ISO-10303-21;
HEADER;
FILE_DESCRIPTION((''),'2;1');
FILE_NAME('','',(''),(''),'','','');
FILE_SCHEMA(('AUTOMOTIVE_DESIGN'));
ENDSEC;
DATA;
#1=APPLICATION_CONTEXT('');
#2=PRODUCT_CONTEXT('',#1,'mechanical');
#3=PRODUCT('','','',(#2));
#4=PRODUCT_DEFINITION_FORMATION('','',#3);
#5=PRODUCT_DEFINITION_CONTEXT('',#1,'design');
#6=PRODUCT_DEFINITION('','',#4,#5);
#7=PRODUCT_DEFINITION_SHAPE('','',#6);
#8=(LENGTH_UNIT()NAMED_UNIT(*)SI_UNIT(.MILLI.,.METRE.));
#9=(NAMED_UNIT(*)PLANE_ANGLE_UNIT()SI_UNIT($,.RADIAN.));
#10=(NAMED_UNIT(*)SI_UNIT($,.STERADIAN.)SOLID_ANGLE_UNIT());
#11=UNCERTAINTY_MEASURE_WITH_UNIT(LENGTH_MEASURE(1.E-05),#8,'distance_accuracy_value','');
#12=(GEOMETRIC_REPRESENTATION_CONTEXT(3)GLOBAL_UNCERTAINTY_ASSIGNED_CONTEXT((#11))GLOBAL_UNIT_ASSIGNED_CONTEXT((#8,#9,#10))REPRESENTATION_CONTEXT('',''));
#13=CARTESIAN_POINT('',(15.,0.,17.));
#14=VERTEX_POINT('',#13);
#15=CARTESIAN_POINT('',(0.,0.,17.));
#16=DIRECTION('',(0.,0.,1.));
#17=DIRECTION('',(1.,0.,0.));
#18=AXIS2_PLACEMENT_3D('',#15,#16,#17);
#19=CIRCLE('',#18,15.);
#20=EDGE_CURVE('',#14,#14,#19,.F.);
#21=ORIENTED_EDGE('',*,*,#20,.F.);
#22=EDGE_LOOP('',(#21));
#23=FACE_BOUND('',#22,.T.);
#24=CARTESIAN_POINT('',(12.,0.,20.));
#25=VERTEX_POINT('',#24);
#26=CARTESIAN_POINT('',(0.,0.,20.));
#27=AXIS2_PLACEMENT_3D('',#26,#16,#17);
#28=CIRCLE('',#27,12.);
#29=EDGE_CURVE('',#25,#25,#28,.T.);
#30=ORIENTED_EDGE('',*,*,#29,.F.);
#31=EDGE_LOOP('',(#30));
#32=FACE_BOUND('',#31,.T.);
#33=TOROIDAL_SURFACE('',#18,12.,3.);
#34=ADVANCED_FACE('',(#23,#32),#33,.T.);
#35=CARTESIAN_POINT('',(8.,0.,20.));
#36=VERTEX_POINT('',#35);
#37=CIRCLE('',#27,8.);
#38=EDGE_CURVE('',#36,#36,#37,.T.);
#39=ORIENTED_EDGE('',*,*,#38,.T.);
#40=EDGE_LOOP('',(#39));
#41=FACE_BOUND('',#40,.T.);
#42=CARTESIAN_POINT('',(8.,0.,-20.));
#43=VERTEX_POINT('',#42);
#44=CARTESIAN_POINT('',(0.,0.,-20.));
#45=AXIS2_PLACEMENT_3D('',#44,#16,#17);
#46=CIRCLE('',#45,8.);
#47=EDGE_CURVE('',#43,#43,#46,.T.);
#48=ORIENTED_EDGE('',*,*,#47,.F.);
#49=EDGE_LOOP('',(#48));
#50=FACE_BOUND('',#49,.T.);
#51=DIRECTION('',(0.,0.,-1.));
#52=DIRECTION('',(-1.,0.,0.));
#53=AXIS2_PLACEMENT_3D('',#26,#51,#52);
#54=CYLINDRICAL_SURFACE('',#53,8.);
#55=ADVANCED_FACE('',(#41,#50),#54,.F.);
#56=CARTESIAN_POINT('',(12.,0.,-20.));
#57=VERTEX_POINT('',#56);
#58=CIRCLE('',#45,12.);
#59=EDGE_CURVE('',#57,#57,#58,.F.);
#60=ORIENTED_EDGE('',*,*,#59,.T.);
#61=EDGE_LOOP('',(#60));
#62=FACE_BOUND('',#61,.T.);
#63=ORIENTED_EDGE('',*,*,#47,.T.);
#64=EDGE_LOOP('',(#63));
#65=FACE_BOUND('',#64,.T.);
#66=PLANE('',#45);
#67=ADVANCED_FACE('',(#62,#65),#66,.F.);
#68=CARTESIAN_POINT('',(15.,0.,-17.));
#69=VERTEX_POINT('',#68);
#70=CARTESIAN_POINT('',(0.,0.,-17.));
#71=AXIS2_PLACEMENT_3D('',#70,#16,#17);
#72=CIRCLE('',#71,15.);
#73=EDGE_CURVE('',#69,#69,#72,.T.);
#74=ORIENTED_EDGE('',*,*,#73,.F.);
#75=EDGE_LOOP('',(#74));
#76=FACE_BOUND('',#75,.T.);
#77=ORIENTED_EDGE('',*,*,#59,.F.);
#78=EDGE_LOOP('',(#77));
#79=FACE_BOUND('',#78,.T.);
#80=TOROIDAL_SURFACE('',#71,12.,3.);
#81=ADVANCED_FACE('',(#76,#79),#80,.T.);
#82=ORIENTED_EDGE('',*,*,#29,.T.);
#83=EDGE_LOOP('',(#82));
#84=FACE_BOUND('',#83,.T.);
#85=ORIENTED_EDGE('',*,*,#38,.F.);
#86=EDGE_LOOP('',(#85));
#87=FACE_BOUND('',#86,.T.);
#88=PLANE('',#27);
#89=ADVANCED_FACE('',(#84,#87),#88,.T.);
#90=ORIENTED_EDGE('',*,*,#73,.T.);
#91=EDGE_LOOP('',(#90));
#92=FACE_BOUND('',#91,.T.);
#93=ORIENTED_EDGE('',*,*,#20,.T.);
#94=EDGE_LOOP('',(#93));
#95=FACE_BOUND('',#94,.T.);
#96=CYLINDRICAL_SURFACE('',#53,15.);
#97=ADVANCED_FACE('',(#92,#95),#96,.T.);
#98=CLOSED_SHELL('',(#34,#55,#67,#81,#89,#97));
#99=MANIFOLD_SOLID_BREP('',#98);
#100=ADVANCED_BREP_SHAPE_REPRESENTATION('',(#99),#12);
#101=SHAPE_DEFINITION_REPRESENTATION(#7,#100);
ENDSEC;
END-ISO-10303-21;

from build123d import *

# Parameters (mm, degrees)
SKETCH_1_R      = 15
SKETCH_1_R_2    = 8
EXTRUDE_1_DEPTH = 20
FILLET_1_R      = 3


with BuildPart() as part:
    # Эскиз1 → Бобышка-Вытянуть1 (new body, symmetric)
    with BuildSketch(Plane.XY):
        Circle(SKETCH_1_R)
        Circle(SKETCH_1_R_2, mode=Mode.SUBTRACT)
    extrude(amount=EXTRUDE_1_DEPTH, both=True)

    # Скругление1
    fillet_1_edges = [part.edges().sort_by_distance(p)[0] for p in [
        (-15, 0, -20),
        (-15, 0, 20),
    ]]
    fillet(fillet_1_edges, radius=FILLET_1_R)


solid = part.part
